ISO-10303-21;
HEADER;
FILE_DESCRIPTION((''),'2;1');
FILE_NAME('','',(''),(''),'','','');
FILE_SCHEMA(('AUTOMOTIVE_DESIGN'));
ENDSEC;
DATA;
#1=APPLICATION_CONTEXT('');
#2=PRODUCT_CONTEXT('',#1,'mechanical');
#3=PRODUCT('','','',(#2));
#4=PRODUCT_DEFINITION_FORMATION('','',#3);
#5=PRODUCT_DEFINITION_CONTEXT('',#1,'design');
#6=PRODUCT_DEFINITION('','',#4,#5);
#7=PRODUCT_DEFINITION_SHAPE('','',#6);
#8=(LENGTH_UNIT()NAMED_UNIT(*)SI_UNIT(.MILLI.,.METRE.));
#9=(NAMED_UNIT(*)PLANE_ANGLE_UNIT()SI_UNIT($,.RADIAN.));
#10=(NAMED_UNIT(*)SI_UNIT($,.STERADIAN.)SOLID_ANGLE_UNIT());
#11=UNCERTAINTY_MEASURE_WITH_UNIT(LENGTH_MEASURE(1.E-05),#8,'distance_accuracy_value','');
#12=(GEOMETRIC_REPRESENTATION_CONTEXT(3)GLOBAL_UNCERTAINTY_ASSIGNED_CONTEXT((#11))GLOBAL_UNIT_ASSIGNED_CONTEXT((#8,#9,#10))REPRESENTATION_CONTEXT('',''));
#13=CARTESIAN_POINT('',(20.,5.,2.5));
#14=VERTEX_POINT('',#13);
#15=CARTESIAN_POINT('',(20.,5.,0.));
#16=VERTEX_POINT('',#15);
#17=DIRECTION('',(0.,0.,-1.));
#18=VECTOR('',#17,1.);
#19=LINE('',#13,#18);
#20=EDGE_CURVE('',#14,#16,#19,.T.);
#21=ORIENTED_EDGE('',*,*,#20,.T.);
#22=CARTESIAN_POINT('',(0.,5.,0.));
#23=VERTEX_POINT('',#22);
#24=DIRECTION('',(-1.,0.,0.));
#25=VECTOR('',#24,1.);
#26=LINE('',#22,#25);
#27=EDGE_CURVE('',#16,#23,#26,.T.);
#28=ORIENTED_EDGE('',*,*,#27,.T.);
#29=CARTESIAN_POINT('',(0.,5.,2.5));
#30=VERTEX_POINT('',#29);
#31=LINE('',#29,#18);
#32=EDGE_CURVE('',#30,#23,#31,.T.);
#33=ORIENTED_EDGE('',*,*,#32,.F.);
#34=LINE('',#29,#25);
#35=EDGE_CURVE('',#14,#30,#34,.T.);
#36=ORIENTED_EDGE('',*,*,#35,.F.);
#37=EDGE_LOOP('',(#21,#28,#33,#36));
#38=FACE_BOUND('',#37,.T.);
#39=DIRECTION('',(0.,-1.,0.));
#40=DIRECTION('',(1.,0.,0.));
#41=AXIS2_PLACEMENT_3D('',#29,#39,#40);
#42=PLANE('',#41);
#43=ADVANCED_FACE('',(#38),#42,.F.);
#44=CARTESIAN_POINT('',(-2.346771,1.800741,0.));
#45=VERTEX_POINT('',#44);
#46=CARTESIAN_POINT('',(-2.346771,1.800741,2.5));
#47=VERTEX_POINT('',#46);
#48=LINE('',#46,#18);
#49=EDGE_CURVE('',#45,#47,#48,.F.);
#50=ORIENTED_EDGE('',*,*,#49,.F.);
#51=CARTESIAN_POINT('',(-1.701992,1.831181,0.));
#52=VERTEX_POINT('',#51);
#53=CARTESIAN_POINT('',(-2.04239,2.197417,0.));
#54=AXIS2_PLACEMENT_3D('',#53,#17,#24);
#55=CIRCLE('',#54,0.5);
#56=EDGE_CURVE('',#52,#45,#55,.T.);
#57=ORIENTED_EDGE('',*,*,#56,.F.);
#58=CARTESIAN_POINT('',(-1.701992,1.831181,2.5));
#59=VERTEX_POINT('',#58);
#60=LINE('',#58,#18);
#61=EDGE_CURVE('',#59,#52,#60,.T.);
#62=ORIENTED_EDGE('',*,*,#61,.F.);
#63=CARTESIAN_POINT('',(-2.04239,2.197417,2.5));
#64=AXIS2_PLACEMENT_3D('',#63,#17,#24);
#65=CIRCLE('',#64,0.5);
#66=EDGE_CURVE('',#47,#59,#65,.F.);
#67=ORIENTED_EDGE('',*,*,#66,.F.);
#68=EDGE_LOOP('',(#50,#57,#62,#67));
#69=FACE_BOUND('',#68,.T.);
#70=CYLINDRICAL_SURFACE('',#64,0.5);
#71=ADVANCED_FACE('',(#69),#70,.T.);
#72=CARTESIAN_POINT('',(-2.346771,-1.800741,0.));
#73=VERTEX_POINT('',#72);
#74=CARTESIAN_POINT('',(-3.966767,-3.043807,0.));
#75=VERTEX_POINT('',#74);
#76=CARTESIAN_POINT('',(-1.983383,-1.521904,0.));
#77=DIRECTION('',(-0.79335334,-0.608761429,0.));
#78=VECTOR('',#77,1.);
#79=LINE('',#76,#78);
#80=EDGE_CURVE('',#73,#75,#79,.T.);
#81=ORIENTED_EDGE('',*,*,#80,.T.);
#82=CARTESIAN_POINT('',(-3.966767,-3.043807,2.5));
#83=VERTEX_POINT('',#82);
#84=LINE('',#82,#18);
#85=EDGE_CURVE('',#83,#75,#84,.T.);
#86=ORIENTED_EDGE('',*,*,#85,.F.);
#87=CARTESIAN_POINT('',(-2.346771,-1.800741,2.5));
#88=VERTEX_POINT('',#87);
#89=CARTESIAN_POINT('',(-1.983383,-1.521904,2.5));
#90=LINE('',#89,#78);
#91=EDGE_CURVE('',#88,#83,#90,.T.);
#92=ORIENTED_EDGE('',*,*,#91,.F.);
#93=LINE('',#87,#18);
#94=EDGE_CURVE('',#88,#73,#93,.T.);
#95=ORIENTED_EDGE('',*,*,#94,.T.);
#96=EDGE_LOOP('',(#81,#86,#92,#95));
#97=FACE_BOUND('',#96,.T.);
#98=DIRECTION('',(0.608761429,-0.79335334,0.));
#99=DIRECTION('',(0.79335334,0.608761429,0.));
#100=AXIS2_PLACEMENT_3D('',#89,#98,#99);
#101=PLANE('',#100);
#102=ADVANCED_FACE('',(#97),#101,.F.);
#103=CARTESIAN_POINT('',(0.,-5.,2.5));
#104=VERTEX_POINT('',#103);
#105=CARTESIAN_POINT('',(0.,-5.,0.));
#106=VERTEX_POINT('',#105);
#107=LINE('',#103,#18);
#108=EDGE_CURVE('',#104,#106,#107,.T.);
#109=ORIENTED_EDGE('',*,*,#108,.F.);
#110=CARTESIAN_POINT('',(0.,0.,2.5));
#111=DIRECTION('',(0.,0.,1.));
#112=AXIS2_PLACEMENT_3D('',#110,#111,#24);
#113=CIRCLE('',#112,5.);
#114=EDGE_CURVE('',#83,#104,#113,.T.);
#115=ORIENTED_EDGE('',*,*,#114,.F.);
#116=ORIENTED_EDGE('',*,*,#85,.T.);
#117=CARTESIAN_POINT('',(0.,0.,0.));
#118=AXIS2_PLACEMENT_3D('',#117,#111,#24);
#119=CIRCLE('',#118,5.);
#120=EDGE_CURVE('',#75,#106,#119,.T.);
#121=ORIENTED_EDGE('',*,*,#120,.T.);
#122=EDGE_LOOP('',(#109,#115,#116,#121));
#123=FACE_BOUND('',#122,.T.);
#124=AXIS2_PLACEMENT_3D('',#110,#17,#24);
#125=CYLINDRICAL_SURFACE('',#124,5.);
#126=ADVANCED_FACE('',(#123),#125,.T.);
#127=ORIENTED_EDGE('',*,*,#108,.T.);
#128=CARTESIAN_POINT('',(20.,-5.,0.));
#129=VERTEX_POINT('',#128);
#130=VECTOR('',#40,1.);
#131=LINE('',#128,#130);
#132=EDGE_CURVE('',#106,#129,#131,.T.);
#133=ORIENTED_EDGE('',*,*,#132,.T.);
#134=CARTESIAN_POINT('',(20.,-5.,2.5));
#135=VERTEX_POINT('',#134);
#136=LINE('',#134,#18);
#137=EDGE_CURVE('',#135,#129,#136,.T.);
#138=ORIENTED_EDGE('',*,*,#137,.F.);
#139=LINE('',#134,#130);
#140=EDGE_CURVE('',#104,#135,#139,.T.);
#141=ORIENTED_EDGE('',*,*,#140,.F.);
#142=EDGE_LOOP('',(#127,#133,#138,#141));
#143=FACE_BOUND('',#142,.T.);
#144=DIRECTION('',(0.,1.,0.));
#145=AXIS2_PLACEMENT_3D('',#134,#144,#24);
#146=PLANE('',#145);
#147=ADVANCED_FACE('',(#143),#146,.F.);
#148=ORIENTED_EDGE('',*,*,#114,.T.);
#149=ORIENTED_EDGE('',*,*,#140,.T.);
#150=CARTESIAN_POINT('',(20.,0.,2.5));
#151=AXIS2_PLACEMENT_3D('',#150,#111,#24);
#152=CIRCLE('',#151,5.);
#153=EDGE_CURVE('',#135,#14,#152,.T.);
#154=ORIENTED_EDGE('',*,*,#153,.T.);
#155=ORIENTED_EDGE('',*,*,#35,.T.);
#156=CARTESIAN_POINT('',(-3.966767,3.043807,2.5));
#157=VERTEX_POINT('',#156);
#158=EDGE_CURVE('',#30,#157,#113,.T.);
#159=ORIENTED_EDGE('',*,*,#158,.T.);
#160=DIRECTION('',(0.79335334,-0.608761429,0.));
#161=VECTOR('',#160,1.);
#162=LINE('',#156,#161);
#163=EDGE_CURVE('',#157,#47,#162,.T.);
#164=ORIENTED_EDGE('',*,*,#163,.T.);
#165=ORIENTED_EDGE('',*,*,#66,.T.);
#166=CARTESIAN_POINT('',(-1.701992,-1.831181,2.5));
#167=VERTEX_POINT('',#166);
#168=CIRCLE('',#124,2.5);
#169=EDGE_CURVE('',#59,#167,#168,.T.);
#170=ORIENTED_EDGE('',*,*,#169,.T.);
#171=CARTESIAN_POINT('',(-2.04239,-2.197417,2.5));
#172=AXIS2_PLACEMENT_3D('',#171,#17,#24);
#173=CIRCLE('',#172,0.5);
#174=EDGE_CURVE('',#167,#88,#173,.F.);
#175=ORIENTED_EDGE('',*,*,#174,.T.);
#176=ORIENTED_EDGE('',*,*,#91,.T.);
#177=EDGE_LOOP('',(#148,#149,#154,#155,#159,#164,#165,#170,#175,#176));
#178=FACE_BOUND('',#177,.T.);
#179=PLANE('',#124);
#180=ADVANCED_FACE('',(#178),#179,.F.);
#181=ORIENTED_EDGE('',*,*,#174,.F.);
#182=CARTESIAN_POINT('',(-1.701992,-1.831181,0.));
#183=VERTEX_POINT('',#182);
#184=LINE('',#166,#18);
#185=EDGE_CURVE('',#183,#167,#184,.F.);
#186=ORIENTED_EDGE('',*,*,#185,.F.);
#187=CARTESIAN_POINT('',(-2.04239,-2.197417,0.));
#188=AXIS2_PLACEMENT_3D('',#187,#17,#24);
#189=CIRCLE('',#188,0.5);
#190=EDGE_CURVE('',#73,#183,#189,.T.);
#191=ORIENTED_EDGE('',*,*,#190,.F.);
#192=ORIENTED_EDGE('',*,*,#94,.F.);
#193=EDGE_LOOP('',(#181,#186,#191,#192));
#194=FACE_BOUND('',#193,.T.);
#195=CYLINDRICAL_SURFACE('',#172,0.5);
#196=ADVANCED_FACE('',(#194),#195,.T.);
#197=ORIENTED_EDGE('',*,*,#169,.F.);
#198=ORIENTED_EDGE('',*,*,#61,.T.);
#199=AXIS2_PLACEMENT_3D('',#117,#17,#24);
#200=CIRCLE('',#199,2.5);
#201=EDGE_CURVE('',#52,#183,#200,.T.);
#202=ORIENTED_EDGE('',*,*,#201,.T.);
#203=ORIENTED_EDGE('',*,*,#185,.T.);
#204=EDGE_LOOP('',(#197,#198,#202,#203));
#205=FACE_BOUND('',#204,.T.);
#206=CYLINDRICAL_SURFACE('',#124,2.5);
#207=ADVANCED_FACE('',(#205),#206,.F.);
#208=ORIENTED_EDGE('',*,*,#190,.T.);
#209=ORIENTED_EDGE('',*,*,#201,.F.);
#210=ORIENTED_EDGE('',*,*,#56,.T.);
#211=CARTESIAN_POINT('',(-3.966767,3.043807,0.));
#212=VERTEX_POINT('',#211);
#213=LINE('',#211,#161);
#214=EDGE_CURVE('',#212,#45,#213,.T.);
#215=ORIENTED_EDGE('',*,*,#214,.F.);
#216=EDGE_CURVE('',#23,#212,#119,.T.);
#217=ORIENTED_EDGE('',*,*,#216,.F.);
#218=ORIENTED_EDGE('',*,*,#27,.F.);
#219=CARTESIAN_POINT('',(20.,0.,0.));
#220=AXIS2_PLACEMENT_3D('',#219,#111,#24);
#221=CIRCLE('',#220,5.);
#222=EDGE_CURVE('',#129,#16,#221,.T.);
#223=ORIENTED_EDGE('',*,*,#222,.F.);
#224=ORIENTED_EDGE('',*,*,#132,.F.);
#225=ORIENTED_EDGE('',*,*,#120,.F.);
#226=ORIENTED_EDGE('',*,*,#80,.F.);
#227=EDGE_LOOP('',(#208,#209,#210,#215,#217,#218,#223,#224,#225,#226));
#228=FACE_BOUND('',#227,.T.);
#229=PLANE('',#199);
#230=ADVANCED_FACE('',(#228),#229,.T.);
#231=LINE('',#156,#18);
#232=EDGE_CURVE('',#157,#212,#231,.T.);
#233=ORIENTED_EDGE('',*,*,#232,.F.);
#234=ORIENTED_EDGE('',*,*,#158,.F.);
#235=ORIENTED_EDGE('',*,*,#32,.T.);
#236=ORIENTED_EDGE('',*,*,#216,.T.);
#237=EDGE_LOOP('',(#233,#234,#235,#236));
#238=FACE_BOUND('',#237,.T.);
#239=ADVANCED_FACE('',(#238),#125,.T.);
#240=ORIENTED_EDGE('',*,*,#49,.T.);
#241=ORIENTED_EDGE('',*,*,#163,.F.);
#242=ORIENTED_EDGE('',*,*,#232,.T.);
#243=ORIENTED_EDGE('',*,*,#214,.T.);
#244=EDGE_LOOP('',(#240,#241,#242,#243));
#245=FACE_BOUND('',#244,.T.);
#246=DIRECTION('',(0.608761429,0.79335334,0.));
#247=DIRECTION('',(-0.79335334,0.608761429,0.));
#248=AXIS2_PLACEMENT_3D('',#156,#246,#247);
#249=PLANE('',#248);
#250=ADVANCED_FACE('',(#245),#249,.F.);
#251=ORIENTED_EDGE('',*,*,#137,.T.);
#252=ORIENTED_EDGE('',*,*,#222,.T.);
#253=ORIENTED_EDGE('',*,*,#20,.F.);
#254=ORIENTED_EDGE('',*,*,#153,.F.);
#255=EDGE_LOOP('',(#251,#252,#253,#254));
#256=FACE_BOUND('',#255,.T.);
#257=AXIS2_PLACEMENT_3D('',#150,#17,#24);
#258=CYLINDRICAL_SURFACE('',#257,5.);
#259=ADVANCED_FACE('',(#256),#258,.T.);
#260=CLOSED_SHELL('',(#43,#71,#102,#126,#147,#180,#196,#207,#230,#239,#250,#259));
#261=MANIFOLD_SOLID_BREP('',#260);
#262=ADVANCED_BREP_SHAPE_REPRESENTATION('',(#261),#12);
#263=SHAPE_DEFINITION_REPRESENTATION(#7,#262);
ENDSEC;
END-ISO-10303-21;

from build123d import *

# Parameters (mm, degrees)
BOSS_EXTRUDE1_DEPTH = 2.5
FILLET1_R           = 0.5


with BuildPart() as part:
    # Sketch1 → Boss-Extrude1 (new body)
    with BuildSketch(Plane.XY):
        with BuildLine():
            Line((-3.966766701, 3.043807145), (-1.983383351, 1.521903573))
            ThreePointArc((-1.983383351, 1.521903573), (2.5, 0), (-1.983383351, -1.521903573))
            Line((-1.983383351, -1.521903573), (-3.966766701, -3.043807145))
            ThreePointArc((-3.966766701, -3.043807145), (-2.211443451, -4.484363708), (0, -5))
            Line((0, -5), (20, -5))
            ThreePointArc((20, -5), (25, 0), (20, 5))
            Line((20, 5), (0, 5))
            ThreePointArc((0, 5), (-2.211443451, 4.484363708), (-3.966766701, 3.043807145))
        make_face()
    extrude(amount=BOSS_EXTRUDE1_DEPTH)

    # Fillet1
    fillet1_edges = [part.edges().sort_by_distance(p)[0] for p in [
        (-1.983383351, -1.521903573, 1.25),
        (-1.983383351, 1.521903573, 1.25),
    ]]
    fillet(fillet1_edges, radius=FILLET1_R)


solid = part.part
